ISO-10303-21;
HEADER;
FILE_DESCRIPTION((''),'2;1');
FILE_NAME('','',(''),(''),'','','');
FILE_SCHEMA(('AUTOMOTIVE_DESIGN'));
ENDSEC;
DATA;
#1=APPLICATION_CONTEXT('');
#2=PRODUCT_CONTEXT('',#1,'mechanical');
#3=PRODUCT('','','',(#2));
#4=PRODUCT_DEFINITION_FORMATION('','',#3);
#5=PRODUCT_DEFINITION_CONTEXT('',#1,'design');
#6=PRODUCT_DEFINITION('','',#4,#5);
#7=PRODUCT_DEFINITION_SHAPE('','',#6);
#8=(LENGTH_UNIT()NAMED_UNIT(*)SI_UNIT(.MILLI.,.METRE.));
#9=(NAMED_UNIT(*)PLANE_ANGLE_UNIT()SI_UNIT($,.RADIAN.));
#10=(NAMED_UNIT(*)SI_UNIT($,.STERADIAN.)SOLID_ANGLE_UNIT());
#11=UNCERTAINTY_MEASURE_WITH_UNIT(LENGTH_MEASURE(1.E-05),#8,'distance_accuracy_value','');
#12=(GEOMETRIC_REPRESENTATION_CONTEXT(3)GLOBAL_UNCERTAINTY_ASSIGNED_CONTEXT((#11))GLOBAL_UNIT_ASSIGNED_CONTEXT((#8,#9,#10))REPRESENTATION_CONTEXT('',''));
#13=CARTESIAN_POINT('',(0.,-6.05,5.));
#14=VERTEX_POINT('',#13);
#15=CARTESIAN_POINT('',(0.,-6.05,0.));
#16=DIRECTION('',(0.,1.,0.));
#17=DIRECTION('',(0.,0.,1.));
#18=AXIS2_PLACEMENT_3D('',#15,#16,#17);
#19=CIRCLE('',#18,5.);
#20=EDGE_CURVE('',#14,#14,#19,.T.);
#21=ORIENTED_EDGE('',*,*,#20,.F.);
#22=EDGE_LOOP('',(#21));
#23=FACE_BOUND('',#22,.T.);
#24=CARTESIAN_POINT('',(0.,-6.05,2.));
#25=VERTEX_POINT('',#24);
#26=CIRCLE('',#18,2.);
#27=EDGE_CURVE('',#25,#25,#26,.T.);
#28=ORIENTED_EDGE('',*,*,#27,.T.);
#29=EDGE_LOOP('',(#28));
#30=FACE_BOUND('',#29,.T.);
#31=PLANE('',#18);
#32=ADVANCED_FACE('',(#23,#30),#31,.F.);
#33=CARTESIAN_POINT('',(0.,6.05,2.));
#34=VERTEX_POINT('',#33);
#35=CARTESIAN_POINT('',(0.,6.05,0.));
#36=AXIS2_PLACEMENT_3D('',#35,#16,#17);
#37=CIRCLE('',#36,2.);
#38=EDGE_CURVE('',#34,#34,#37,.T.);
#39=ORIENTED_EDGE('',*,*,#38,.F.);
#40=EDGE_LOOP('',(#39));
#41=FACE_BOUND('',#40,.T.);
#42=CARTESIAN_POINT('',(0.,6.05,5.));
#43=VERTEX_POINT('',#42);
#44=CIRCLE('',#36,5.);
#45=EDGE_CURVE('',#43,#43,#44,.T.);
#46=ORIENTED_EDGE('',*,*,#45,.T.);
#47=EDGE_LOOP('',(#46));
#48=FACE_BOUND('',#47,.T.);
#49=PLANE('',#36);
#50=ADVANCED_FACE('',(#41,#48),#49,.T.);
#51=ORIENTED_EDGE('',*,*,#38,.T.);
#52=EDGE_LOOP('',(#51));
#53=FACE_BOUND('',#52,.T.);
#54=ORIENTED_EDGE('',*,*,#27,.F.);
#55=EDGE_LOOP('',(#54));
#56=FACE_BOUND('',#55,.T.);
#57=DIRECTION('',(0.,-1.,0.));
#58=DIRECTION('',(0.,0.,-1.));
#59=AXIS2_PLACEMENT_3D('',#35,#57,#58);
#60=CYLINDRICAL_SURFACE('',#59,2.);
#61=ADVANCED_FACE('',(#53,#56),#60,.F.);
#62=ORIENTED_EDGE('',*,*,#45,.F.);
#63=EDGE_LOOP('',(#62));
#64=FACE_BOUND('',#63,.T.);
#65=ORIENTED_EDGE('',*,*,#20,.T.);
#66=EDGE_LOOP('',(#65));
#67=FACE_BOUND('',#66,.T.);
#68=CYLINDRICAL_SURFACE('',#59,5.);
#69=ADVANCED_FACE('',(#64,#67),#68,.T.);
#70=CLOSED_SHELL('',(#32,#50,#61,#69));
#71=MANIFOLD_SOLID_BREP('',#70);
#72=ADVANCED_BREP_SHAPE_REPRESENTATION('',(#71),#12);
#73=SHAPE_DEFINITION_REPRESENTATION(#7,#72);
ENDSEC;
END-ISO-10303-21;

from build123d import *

# Parameters (mm, degrees)
SKETCH1_R           = 5
SKETCH1_R_2         = 2
BOSS_EXTRUDE1_DEPTH = 6.05


with BuildPart() as part:
    # Sketch1 → Boss-Extrude1 (new body, symmetric)
    with BuildSketch(Plane(origin=(0, 0, 0), x_dir=(1, 0, 0), z_dir=(0, 1, 0))):
        Circle(SKETCH1_R)
        Circle(SKETCH1_R_2, mode=Mode.SUBTRACT)
    extrude(amount=BOSS_EXTRUDE1_DEPTH, both=True)


solid = part.part
